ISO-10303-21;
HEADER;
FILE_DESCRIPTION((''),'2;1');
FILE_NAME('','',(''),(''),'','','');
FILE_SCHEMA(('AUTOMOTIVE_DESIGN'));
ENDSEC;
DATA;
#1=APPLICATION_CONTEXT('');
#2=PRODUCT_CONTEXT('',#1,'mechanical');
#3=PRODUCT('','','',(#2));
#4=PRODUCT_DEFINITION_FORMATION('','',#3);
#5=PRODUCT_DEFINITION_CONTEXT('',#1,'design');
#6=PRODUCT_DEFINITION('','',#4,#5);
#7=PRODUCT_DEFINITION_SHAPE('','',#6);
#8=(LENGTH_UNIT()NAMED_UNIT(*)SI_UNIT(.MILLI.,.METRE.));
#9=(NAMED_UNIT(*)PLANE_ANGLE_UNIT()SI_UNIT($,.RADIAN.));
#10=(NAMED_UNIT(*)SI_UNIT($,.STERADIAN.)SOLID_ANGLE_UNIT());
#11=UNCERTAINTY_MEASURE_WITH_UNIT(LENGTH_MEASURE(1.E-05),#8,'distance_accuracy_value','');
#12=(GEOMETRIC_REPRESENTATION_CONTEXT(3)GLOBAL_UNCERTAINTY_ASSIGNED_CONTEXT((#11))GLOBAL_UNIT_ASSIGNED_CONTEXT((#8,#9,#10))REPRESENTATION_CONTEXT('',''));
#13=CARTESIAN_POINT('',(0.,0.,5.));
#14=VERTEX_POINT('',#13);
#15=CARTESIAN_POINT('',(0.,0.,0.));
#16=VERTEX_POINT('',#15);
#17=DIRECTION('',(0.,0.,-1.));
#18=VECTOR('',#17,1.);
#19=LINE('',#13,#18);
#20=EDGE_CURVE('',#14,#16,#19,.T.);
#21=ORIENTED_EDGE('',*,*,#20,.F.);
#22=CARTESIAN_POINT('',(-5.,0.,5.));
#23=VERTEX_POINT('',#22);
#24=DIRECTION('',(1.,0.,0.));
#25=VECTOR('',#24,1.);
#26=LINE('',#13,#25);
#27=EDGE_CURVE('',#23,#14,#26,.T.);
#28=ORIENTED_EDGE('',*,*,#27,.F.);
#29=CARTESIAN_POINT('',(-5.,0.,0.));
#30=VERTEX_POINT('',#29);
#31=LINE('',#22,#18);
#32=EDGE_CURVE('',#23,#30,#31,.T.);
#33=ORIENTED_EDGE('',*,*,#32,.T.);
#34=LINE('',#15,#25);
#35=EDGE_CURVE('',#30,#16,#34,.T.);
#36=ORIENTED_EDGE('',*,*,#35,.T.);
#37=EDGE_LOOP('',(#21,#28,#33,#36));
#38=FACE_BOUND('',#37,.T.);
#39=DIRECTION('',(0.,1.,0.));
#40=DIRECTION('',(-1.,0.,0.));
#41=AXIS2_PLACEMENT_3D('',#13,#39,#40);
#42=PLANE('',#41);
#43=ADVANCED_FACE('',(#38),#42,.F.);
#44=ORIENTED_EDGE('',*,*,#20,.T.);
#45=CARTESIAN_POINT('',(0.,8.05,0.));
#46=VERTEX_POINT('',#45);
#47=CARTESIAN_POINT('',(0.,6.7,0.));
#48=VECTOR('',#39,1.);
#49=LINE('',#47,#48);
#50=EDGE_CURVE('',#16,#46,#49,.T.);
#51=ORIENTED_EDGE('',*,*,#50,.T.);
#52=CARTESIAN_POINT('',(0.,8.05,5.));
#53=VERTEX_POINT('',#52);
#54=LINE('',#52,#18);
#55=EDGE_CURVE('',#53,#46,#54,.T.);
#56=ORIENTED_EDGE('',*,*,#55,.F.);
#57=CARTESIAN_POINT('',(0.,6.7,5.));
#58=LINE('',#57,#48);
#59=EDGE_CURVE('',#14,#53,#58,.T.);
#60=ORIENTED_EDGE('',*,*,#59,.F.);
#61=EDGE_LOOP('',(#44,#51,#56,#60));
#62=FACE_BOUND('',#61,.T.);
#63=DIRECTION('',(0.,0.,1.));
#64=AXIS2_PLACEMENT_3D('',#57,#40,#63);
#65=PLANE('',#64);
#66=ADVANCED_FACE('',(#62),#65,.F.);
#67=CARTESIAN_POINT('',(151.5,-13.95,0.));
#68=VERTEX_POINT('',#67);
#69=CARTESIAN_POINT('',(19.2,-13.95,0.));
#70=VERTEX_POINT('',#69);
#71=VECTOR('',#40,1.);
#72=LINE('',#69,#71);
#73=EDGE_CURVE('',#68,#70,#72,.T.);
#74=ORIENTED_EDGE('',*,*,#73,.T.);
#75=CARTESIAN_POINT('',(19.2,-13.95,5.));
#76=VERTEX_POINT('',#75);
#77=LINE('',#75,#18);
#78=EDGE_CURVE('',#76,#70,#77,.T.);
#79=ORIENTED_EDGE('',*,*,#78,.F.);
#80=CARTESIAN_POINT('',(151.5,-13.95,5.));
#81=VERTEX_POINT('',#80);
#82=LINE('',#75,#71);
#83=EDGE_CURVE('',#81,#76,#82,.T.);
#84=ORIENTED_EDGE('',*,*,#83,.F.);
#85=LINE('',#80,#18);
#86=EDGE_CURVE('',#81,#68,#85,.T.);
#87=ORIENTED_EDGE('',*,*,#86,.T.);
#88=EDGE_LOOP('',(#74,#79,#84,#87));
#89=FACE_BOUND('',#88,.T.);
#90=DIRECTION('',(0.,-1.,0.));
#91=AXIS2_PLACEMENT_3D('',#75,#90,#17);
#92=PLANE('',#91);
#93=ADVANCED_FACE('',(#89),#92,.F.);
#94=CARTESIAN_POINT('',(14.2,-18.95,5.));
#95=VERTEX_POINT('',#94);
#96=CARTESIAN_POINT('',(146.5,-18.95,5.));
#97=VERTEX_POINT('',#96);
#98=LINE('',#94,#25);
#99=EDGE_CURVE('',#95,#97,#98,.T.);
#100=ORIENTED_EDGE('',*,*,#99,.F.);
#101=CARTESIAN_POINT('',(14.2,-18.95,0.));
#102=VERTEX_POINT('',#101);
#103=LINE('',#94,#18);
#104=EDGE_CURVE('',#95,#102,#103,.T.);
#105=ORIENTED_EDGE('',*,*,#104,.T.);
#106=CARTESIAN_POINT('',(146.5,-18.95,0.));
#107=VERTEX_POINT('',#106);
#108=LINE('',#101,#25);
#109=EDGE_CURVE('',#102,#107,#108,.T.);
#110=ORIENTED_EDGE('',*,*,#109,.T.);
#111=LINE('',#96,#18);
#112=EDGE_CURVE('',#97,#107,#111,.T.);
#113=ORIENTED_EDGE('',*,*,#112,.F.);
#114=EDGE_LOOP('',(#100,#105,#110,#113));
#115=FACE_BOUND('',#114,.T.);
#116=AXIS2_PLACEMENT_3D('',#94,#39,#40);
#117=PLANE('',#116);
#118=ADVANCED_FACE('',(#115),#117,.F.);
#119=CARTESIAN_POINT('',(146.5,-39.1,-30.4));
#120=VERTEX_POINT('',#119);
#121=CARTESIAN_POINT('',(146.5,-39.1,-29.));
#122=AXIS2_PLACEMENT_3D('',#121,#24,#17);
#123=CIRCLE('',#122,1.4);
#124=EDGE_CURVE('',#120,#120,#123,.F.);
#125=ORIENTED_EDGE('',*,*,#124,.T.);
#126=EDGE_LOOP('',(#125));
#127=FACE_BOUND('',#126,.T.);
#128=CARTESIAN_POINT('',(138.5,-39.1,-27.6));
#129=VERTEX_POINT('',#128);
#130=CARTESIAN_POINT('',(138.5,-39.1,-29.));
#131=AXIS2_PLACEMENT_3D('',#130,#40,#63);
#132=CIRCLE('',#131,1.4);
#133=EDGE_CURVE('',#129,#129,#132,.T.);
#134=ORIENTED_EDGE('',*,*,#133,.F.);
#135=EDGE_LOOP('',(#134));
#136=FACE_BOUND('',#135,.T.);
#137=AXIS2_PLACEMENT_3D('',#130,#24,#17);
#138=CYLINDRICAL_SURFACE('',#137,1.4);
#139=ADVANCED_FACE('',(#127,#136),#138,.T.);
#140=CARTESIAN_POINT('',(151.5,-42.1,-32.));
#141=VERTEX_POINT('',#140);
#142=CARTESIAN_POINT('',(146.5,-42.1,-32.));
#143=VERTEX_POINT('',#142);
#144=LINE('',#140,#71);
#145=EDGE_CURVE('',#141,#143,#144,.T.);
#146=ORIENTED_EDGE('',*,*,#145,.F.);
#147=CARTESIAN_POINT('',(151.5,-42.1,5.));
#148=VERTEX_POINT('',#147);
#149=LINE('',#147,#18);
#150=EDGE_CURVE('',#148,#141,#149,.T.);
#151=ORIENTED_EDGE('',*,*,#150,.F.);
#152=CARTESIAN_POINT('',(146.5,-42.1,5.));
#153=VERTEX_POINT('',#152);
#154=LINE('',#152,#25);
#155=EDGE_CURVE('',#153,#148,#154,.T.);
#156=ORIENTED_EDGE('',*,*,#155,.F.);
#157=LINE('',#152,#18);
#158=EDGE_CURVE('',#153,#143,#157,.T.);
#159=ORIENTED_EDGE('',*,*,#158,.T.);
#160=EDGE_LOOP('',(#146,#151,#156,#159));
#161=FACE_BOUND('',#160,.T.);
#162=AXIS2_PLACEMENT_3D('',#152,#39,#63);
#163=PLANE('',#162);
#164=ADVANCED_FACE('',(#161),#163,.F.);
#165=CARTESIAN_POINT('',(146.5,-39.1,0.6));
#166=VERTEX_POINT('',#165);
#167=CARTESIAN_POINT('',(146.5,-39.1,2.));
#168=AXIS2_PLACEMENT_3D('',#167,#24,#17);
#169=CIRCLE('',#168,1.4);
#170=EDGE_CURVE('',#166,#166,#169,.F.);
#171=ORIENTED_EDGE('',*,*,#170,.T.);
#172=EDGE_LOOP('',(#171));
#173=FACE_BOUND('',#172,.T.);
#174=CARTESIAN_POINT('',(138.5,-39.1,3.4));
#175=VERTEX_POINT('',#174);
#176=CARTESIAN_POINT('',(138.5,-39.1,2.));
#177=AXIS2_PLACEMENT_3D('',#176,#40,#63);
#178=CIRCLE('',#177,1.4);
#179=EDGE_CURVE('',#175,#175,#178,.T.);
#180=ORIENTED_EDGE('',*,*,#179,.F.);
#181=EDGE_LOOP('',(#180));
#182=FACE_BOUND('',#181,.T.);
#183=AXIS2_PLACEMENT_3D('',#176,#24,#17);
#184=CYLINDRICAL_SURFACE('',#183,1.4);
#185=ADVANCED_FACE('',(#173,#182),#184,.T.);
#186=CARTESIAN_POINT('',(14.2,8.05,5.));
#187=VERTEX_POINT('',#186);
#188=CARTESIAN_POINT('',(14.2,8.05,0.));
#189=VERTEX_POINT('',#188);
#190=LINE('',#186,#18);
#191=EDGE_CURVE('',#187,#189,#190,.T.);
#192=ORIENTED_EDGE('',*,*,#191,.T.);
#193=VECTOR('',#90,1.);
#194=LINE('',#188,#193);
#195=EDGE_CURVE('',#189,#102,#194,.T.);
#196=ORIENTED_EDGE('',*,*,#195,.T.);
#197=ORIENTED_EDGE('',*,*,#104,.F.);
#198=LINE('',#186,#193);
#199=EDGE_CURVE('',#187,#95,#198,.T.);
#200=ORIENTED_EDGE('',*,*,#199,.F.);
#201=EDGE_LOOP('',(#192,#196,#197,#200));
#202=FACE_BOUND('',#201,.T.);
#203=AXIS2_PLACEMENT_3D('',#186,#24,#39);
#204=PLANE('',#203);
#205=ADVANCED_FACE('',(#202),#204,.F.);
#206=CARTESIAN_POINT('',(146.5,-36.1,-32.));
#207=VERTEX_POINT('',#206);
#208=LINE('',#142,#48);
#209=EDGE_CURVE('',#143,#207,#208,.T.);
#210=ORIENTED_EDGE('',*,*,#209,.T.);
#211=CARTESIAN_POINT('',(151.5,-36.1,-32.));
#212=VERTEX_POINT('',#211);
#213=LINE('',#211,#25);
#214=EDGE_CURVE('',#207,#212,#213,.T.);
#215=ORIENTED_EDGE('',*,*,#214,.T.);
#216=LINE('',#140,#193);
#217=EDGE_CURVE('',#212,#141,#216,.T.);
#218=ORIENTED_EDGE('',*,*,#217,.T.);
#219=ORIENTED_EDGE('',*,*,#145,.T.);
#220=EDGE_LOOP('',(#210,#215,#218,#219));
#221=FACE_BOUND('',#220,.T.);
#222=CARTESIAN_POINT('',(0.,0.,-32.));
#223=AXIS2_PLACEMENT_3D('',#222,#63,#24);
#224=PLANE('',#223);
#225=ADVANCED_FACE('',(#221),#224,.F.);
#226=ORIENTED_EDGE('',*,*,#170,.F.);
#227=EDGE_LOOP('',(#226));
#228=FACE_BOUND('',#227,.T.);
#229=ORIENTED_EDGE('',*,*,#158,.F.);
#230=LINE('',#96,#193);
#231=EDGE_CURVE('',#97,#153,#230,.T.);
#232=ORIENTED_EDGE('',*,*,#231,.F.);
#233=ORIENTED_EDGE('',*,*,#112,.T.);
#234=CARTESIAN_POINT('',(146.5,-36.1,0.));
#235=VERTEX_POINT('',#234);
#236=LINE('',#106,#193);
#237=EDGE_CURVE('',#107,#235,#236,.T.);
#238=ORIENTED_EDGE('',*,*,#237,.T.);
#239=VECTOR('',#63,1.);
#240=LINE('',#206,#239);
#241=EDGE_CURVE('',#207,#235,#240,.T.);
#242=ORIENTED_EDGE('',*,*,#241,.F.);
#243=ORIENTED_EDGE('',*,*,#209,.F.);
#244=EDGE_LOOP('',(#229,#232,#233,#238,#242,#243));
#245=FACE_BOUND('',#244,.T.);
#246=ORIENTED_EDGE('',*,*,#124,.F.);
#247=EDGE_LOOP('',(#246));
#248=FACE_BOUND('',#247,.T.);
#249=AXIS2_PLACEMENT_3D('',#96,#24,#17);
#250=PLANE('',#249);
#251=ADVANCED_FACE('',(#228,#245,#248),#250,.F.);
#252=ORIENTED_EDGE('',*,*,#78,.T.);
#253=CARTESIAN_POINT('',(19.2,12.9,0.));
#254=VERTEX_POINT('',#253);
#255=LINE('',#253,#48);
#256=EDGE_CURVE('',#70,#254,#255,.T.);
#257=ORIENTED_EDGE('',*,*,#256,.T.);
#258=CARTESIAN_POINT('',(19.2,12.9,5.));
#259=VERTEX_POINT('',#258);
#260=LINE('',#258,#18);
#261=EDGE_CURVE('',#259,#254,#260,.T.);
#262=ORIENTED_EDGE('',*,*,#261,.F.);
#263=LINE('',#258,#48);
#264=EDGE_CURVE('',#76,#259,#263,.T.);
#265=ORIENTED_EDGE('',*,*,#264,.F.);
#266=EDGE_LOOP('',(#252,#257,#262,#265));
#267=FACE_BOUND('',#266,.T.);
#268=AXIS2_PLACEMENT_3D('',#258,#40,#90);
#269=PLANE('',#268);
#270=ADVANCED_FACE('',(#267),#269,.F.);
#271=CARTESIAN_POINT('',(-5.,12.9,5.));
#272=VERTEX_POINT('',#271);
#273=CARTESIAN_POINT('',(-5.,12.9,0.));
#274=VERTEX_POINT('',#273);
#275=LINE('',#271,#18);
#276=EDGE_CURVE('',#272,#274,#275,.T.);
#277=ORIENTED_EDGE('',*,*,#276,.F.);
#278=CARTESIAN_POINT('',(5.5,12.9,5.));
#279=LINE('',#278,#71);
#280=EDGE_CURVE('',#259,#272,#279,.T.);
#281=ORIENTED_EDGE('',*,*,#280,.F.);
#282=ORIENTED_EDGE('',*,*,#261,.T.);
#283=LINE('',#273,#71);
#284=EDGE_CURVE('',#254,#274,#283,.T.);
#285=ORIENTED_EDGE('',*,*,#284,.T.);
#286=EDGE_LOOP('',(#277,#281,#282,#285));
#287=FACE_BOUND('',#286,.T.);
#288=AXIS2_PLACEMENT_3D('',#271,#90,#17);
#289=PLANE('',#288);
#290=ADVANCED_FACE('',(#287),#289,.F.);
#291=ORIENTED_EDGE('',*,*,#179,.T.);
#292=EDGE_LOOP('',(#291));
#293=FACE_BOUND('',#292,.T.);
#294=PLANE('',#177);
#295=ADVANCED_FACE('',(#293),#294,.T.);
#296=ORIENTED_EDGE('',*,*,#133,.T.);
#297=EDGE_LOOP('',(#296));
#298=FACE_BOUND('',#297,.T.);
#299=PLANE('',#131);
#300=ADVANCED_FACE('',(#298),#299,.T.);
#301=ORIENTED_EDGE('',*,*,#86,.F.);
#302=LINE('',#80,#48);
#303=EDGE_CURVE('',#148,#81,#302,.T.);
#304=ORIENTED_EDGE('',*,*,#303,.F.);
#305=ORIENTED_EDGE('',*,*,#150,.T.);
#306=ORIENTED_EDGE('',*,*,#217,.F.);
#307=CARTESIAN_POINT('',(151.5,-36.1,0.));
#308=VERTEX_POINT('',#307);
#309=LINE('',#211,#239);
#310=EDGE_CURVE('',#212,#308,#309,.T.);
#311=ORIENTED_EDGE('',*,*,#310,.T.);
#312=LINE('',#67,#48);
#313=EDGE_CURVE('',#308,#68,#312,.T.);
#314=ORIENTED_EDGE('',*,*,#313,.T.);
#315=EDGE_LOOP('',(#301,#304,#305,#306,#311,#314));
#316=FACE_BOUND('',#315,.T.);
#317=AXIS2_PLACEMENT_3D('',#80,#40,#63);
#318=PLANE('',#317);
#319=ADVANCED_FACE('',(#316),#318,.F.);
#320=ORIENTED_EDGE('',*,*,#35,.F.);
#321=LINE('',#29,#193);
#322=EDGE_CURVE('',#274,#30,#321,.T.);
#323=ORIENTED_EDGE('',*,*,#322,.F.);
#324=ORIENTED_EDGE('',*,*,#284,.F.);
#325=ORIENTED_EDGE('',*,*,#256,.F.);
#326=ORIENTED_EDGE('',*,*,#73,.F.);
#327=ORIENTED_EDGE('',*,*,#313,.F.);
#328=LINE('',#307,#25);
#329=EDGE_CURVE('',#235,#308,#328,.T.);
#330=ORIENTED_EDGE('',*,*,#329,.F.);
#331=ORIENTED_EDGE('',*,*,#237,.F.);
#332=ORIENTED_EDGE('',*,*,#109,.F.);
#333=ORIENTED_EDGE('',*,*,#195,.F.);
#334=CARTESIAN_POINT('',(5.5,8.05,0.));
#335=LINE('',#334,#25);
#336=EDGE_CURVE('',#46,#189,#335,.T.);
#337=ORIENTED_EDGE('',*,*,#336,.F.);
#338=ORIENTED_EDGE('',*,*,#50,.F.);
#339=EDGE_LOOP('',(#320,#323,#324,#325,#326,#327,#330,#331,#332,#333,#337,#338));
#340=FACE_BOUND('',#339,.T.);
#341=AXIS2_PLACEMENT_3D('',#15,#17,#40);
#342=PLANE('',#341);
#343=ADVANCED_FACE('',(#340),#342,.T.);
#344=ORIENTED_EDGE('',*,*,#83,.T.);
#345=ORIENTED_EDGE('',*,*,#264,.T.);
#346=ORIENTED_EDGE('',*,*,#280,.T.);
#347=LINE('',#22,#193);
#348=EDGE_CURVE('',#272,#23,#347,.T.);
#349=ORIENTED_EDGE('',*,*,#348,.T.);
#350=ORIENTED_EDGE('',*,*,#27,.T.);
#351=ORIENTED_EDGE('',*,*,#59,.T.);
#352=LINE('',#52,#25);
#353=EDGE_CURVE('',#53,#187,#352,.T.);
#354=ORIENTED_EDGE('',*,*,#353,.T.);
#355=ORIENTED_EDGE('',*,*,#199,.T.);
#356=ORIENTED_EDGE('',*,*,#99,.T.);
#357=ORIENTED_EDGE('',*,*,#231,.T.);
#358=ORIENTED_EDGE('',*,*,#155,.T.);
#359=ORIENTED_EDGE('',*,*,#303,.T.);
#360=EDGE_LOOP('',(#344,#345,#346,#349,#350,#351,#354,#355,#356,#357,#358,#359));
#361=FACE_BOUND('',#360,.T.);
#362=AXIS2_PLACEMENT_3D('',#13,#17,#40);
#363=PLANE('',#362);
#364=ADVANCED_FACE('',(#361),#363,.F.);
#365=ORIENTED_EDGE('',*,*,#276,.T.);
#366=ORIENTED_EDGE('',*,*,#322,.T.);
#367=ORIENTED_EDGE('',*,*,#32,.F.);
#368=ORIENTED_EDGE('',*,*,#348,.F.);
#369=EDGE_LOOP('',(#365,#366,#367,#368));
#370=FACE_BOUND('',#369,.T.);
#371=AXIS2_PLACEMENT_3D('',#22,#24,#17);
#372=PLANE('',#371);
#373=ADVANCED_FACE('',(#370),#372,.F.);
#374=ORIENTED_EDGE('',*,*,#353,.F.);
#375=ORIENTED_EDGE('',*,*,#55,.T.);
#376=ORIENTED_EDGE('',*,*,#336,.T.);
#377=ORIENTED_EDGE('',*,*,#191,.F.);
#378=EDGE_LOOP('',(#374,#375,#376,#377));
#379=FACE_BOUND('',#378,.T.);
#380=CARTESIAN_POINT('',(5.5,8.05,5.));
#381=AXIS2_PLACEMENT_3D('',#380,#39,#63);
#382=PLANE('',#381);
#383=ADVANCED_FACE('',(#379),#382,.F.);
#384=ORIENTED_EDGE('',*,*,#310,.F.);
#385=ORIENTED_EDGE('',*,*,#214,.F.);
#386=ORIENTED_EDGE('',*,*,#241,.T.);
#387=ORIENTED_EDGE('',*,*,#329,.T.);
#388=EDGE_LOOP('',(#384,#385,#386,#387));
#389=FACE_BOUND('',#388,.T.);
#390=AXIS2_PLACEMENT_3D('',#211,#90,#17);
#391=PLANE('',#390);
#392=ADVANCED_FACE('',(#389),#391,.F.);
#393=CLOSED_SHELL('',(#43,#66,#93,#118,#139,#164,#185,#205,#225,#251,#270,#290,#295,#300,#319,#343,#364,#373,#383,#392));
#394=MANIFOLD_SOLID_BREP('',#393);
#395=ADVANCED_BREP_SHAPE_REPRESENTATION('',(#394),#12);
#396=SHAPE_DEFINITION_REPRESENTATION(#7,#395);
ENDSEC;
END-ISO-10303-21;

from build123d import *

# Parameters (mm, degrees)
BOSS_EXTRUDE1_DEPTH = 5
SKETCH5_W           = 5
SKETCH5_H           = 6
BOSS_EXTRUDE7_DEPTH = 32
SKETCH4_R           = 1.4
BOSS_EXTRUDE4_DEPTH = 8


with BuildPart() as part:
    # Sketch1 → Boss-Extrude1 (new body)
    with BuildSketch(Plane.XY):
        Polygon((0, 6.7), (0, 8.05), (5.5, 8.05), (14.2, 8.05), (14.2, -18.95), (146.5, -18.95), (146.5, -42.1), (151.5, -42.1), (151.5, -13.95), (19.2, -13.95), (19.2, 12.9), (5.5, 12.9), (-5, 12.9), (-5, 0), (0, 0), align=None)
    extrude(amount=BOSS_EXTRUDE1_DEPTH)

    # Sketch5 → Boss-Extrude7 (add)
    with BuildSketch(Plane(origin=(0, 0, 0), x_dir=(-1, 0, 0), z_dir=(0, 0, -1))):
        with Locations((-149, -39.1)):
            Rectangle(SKETCH5_W, SKETCH5_H)
    extrude(amount=BOSS_EXTRUDE7_DEPTH)

    # Sketch4 → Boss-Extrude4 (add)
    with BuildSketch(Plane.ZY.offset(-146.5)):
        with Locations(Location((-29, -39.1, 0), (0, 0, 180))):
            Circle(SKETCH4_R)
        with Locations(Location((2, -39.1, 0), (0, 0, 180))):
            Circle(SKETCH4_R)
    extrude(amount=BOSS_EXTRUDE4_DEPTH)


solid = part.part
